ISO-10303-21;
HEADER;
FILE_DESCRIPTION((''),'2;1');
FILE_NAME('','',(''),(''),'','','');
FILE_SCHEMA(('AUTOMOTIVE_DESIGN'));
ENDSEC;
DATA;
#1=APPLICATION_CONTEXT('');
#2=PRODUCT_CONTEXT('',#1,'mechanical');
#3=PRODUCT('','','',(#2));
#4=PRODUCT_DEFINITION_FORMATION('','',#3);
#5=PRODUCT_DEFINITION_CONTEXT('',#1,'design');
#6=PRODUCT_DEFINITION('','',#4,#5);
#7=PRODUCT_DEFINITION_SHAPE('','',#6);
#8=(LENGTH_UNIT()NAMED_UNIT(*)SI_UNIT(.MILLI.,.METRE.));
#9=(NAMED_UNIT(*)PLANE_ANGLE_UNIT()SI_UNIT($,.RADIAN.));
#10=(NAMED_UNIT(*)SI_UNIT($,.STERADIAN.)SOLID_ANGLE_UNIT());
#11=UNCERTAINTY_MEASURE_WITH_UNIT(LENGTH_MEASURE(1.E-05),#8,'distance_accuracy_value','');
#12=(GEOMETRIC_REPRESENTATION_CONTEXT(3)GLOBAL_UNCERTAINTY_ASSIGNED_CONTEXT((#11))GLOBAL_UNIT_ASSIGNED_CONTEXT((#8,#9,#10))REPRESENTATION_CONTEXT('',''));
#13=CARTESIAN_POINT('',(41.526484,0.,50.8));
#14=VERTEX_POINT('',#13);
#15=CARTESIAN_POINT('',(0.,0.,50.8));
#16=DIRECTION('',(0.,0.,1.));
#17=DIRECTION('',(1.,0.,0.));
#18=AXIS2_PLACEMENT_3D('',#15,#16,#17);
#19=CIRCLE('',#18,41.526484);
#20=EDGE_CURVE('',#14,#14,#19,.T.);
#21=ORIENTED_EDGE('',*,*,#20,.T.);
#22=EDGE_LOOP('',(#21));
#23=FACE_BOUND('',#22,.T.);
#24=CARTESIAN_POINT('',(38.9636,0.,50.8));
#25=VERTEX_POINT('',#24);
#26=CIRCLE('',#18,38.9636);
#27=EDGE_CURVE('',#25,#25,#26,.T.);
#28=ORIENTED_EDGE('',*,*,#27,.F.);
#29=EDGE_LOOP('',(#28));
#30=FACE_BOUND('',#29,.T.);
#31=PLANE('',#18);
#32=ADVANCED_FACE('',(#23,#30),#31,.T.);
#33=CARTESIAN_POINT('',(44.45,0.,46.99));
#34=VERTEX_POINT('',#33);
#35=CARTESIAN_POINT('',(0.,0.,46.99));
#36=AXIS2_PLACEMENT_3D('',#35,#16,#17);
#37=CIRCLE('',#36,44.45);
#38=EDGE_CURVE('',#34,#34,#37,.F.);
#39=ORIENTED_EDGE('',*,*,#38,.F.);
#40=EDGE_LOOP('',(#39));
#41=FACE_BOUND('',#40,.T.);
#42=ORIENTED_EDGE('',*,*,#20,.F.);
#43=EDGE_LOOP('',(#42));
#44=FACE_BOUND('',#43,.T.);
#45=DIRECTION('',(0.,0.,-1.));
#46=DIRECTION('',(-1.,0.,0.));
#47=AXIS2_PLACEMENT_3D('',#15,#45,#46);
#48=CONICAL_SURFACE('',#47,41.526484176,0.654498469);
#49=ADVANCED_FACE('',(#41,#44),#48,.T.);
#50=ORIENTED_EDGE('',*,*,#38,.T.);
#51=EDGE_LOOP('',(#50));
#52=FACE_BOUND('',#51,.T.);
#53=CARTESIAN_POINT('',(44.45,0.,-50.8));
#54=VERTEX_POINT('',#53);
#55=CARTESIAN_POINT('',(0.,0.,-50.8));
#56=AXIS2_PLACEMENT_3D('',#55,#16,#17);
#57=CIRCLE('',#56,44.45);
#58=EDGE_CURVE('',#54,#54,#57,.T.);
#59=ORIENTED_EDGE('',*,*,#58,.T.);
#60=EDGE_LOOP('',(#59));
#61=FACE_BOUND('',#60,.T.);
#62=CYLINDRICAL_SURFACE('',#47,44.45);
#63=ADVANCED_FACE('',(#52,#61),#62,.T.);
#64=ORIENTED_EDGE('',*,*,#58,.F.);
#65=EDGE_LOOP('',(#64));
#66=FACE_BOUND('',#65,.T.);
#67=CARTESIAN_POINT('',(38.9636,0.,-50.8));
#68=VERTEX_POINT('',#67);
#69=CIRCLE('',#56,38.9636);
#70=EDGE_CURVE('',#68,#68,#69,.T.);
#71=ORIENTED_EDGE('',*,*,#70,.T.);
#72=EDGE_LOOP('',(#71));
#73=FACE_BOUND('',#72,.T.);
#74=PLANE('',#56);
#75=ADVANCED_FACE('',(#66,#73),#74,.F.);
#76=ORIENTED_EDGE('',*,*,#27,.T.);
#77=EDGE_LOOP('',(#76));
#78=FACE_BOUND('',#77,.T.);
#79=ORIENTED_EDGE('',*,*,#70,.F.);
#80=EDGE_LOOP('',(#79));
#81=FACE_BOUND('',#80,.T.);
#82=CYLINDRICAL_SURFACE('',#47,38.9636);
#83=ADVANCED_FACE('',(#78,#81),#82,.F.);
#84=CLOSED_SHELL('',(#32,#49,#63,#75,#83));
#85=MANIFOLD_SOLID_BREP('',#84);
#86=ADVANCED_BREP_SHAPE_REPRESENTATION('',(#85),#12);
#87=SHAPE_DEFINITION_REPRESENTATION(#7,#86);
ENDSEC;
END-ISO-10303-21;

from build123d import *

# Parameters (mm, degrees)
SKETCH1_R      = 44.45
SKETCH1_R_2    = 38.9636
EXTRUDE1_DEPTH = 50.8
CHAMFER4_SIZE  = 3.81
CHAMFER4_SIZE2 = 2.923515824


with BuildPart() as part:
    # Sketch1 → Extrude1 (new, symmetric)
    with BuildSketch(Plane.XY):
        Circle(SKETCH1_R)
        Circle(SKETCH1_R_2, mode=Mode.SUBTRACT)
    extrude(amount=EXTRUDE1_DEPTH, both=True)

    # Chamfer4
    chamfer4_edges = [part.edges().sort_by_distance(p)[0] for p in [
        (-44.45, 0, 50.8),
    ]]
    chamfer4_side = [part.faces().sort_by_distance(p)[0] for p in [
        (-44.45, 0, 0),
    ]]
    chamfer(chamfer4_edges, length=CHAMFER4_SIZE, length2=CHAMFER4_SIZE2, reference=chamfer4_side[0])


solid = part.part
